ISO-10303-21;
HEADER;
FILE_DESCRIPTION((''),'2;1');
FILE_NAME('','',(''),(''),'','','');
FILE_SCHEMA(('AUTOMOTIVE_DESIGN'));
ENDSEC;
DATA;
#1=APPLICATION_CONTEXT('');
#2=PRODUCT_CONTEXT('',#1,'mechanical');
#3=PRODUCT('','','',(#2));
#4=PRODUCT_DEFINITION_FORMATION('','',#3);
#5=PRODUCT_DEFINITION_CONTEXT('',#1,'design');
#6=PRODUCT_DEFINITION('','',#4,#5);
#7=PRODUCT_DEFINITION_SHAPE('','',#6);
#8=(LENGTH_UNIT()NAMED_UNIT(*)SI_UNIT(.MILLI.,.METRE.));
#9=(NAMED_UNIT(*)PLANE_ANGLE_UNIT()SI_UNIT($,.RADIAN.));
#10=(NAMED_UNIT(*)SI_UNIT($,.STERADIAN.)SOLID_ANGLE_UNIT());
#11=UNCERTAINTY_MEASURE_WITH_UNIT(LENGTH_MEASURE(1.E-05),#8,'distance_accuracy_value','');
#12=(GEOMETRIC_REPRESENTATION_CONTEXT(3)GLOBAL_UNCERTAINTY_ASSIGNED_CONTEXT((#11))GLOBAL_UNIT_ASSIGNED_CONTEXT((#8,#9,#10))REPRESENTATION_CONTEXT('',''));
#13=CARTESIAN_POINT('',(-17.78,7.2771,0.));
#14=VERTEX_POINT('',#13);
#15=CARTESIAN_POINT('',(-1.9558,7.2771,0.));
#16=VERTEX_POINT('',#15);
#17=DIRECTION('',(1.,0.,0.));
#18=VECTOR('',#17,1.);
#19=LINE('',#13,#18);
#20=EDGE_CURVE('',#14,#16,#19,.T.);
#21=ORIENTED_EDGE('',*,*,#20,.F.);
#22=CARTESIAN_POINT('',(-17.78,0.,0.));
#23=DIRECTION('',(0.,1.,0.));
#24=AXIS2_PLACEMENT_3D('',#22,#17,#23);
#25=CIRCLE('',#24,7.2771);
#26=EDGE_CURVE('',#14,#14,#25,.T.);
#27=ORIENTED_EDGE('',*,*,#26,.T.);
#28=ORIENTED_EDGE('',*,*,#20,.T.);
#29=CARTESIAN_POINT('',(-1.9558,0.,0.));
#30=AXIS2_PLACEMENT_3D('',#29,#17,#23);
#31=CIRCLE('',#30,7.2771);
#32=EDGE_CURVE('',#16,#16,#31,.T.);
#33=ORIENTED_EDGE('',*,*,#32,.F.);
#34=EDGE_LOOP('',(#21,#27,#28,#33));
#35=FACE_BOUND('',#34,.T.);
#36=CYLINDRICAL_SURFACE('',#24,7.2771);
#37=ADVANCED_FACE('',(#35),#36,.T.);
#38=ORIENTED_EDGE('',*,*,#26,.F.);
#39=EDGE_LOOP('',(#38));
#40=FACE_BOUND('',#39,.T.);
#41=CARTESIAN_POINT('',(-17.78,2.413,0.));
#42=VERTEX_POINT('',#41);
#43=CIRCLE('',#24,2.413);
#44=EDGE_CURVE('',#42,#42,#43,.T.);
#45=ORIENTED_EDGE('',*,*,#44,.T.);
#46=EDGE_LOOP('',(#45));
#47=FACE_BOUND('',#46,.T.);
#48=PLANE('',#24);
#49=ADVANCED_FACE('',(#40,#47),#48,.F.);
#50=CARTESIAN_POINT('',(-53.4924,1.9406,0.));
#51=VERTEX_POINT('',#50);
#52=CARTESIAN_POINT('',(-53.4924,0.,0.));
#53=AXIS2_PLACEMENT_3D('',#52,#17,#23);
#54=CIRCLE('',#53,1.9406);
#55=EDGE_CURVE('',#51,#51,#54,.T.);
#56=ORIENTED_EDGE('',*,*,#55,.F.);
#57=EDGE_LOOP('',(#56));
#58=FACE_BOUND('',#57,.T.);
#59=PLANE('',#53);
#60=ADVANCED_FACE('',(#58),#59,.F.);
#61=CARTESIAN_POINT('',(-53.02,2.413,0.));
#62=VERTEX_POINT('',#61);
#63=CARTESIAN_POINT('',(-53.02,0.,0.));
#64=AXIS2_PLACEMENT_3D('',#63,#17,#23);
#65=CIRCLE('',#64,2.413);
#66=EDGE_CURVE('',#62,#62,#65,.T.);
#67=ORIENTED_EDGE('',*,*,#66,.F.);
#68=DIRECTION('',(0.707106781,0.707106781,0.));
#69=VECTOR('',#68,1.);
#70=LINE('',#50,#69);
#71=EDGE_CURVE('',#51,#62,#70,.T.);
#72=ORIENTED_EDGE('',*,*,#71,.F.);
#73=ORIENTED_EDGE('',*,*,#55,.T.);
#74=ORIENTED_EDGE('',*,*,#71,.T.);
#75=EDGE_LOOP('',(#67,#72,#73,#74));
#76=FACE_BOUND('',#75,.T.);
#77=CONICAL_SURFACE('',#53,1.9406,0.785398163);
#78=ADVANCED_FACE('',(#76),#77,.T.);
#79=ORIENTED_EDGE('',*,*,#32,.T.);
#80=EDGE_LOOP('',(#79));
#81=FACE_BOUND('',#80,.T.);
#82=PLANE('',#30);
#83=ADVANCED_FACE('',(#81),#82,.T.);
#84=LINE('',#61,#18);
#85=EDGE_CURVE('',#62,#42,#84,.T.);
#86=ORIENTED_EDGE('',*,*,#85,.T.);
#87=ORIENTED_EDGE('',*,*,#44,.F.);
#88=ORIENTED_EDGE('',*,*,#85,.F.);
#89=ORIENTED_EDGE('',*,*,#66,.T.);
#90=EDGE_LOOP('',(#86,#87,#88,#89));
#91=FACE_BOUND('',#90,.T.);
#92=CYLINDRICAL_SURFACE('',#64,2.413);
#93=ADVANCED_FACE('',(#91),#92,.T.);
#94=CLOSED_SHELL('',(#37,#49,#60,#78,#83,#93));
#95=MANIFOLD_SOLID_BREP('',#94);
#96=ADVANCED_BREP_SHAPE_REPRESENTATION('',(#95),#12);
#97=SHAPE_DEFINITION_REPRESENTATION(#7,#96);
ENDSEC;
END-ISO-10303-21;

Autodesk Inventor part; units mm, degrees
sketch "Sketch_5" plane through (0, 0, 0) normal (0, 0, 1) x (1, 0, 0)
  line L0 (-9.525, 0) -> (-53.4924, 0)
  line L1 (-53.4924, 0) -> (-53.4924, 1.9406)
  line L2 (-53.4924, 1.9406) -> (-53.02, 2.413)
  line L3 (-53.02, 2.413) -> (-9.525, 2.413)
  line L4 (-9.525, 2.413) -> (-9.525, 0)
  line L5 (-9.525, 0) -> (-53.4924, 0)
revolve "Revolution1" add sketch "Sketch_5" angle 360 about axis through (-9.525, 0, 0) along (1, 0, 0)
sketch "Sketch_14" plane through (0, 0, 0) normal (0, 0, 1) x (1, 0, 0)
  line L0 (-1.9558, 0) -> (-17.78, 0)
  line L1 (-17.78, 0) -> (-17.78, 7.2771)
  line L2 (-17.78, 7.2771) -> (-1.9558, 7.2771)
  line L3 (-1.9558, 7.2771) -> (-1.9558, 0)
  line L4 (-1.9558, 0) -> (-17.78, 0)
revolve "Revolution2" add sketch "Sketch_14" angle 360 about axis through (-1.9558, 0, 0) along (1, 0, 0)
ref_plane "h1_XY" through (-53.4924, 0, 0) normal (0, 1, 0) x (1, 0, 0)
ref_plane "h1_YZ" through (-53.4924, 0, 0) normal (1, 0, 0) x (0, 0, -1)
ref_plane "h1_ZX" through (-53.4924, 0, 0) normal (0, 0, -1) x (0, 1, 0)
ref_plane "h2_XY" through (-53.4924, 0, 0) normal (0, 1, 0) x (1, 0, 0)
ref_plane "h2_YZ" through (-53.4924, 0, 0) normal (1, 0, 0) x (0, 0, -1)
ref_plane "h2_ZX" through (-53.4924, 0, 0) normal (0, 0, -1) x (0, 1, 0)
ref_plane "k1_XY" through (-53.4924, 0, -2.413) normal (0, 1, 0) x (1, 0, 0)
ref_plane "k1_YZ" through (-53.4924, 0, -2.413) normal (1, 0, 0) x (0, 0, -1)
ref_plane "k1_ZX" through (-53.4924, 0, -2.413) normal (0, 0, -1) x (0, 1, 0)
ref_plane "k2_XY" through (-53.4924, 0, 2.413) normal (0, 1, 0) x (1, 0, 0)
ref_plane "k2_YZ" through (-53.4924, 0, 2.413) normal (1, 0, 0) x (0, 0, -1)
ref_plane "k2_ZX" through (-53.4924, 0, 2.413) normal (0, 0, -1) x (0, 1, 0)
ref_plane "start_XY" through (-40.7924, 0, 0) normal (0, 1, 0) x (1, 0, 0)
ref_plane "start_YZ" through (-40.7924, 0, 0) normal (1, 0, 0) x (0, 0, -1)
ref_plane "start_ZX" through (-40.7924, 0, 0) normal (0, 0, -1) x (0, 1, 0)
ref_plane "to_prc_XY" through (-53.4924, 0, 0) normal (1, 0, 0) x (0, 0, -1)
ref_plane "to_prc_YZ" through (-53.4924, 0, 0) normal (0, 0, -1) x (0, 1, 0)
ref_plane "to_prc_ZX" through (-53.4924, 0, 0) normal (0, 1, 0) x (1, 0, 0)
ref_plane "to_rod_guide_XY" through (-53.4924, 0, 0) normal (1, 0, 0) x (0, 0, -1)
ref_plane "to_rod_guide_YZ" through (-53.4924, 0, 0) normal (0, 0, -1) x (0, 1, 0)
ref_plane "to_rod_guide_ZX" through (-53.4924, 0, 0) normal (0, 1, 0) x (1, 0, 0)
properties part number "D-95380.25-2XP-2.106-3pos"
